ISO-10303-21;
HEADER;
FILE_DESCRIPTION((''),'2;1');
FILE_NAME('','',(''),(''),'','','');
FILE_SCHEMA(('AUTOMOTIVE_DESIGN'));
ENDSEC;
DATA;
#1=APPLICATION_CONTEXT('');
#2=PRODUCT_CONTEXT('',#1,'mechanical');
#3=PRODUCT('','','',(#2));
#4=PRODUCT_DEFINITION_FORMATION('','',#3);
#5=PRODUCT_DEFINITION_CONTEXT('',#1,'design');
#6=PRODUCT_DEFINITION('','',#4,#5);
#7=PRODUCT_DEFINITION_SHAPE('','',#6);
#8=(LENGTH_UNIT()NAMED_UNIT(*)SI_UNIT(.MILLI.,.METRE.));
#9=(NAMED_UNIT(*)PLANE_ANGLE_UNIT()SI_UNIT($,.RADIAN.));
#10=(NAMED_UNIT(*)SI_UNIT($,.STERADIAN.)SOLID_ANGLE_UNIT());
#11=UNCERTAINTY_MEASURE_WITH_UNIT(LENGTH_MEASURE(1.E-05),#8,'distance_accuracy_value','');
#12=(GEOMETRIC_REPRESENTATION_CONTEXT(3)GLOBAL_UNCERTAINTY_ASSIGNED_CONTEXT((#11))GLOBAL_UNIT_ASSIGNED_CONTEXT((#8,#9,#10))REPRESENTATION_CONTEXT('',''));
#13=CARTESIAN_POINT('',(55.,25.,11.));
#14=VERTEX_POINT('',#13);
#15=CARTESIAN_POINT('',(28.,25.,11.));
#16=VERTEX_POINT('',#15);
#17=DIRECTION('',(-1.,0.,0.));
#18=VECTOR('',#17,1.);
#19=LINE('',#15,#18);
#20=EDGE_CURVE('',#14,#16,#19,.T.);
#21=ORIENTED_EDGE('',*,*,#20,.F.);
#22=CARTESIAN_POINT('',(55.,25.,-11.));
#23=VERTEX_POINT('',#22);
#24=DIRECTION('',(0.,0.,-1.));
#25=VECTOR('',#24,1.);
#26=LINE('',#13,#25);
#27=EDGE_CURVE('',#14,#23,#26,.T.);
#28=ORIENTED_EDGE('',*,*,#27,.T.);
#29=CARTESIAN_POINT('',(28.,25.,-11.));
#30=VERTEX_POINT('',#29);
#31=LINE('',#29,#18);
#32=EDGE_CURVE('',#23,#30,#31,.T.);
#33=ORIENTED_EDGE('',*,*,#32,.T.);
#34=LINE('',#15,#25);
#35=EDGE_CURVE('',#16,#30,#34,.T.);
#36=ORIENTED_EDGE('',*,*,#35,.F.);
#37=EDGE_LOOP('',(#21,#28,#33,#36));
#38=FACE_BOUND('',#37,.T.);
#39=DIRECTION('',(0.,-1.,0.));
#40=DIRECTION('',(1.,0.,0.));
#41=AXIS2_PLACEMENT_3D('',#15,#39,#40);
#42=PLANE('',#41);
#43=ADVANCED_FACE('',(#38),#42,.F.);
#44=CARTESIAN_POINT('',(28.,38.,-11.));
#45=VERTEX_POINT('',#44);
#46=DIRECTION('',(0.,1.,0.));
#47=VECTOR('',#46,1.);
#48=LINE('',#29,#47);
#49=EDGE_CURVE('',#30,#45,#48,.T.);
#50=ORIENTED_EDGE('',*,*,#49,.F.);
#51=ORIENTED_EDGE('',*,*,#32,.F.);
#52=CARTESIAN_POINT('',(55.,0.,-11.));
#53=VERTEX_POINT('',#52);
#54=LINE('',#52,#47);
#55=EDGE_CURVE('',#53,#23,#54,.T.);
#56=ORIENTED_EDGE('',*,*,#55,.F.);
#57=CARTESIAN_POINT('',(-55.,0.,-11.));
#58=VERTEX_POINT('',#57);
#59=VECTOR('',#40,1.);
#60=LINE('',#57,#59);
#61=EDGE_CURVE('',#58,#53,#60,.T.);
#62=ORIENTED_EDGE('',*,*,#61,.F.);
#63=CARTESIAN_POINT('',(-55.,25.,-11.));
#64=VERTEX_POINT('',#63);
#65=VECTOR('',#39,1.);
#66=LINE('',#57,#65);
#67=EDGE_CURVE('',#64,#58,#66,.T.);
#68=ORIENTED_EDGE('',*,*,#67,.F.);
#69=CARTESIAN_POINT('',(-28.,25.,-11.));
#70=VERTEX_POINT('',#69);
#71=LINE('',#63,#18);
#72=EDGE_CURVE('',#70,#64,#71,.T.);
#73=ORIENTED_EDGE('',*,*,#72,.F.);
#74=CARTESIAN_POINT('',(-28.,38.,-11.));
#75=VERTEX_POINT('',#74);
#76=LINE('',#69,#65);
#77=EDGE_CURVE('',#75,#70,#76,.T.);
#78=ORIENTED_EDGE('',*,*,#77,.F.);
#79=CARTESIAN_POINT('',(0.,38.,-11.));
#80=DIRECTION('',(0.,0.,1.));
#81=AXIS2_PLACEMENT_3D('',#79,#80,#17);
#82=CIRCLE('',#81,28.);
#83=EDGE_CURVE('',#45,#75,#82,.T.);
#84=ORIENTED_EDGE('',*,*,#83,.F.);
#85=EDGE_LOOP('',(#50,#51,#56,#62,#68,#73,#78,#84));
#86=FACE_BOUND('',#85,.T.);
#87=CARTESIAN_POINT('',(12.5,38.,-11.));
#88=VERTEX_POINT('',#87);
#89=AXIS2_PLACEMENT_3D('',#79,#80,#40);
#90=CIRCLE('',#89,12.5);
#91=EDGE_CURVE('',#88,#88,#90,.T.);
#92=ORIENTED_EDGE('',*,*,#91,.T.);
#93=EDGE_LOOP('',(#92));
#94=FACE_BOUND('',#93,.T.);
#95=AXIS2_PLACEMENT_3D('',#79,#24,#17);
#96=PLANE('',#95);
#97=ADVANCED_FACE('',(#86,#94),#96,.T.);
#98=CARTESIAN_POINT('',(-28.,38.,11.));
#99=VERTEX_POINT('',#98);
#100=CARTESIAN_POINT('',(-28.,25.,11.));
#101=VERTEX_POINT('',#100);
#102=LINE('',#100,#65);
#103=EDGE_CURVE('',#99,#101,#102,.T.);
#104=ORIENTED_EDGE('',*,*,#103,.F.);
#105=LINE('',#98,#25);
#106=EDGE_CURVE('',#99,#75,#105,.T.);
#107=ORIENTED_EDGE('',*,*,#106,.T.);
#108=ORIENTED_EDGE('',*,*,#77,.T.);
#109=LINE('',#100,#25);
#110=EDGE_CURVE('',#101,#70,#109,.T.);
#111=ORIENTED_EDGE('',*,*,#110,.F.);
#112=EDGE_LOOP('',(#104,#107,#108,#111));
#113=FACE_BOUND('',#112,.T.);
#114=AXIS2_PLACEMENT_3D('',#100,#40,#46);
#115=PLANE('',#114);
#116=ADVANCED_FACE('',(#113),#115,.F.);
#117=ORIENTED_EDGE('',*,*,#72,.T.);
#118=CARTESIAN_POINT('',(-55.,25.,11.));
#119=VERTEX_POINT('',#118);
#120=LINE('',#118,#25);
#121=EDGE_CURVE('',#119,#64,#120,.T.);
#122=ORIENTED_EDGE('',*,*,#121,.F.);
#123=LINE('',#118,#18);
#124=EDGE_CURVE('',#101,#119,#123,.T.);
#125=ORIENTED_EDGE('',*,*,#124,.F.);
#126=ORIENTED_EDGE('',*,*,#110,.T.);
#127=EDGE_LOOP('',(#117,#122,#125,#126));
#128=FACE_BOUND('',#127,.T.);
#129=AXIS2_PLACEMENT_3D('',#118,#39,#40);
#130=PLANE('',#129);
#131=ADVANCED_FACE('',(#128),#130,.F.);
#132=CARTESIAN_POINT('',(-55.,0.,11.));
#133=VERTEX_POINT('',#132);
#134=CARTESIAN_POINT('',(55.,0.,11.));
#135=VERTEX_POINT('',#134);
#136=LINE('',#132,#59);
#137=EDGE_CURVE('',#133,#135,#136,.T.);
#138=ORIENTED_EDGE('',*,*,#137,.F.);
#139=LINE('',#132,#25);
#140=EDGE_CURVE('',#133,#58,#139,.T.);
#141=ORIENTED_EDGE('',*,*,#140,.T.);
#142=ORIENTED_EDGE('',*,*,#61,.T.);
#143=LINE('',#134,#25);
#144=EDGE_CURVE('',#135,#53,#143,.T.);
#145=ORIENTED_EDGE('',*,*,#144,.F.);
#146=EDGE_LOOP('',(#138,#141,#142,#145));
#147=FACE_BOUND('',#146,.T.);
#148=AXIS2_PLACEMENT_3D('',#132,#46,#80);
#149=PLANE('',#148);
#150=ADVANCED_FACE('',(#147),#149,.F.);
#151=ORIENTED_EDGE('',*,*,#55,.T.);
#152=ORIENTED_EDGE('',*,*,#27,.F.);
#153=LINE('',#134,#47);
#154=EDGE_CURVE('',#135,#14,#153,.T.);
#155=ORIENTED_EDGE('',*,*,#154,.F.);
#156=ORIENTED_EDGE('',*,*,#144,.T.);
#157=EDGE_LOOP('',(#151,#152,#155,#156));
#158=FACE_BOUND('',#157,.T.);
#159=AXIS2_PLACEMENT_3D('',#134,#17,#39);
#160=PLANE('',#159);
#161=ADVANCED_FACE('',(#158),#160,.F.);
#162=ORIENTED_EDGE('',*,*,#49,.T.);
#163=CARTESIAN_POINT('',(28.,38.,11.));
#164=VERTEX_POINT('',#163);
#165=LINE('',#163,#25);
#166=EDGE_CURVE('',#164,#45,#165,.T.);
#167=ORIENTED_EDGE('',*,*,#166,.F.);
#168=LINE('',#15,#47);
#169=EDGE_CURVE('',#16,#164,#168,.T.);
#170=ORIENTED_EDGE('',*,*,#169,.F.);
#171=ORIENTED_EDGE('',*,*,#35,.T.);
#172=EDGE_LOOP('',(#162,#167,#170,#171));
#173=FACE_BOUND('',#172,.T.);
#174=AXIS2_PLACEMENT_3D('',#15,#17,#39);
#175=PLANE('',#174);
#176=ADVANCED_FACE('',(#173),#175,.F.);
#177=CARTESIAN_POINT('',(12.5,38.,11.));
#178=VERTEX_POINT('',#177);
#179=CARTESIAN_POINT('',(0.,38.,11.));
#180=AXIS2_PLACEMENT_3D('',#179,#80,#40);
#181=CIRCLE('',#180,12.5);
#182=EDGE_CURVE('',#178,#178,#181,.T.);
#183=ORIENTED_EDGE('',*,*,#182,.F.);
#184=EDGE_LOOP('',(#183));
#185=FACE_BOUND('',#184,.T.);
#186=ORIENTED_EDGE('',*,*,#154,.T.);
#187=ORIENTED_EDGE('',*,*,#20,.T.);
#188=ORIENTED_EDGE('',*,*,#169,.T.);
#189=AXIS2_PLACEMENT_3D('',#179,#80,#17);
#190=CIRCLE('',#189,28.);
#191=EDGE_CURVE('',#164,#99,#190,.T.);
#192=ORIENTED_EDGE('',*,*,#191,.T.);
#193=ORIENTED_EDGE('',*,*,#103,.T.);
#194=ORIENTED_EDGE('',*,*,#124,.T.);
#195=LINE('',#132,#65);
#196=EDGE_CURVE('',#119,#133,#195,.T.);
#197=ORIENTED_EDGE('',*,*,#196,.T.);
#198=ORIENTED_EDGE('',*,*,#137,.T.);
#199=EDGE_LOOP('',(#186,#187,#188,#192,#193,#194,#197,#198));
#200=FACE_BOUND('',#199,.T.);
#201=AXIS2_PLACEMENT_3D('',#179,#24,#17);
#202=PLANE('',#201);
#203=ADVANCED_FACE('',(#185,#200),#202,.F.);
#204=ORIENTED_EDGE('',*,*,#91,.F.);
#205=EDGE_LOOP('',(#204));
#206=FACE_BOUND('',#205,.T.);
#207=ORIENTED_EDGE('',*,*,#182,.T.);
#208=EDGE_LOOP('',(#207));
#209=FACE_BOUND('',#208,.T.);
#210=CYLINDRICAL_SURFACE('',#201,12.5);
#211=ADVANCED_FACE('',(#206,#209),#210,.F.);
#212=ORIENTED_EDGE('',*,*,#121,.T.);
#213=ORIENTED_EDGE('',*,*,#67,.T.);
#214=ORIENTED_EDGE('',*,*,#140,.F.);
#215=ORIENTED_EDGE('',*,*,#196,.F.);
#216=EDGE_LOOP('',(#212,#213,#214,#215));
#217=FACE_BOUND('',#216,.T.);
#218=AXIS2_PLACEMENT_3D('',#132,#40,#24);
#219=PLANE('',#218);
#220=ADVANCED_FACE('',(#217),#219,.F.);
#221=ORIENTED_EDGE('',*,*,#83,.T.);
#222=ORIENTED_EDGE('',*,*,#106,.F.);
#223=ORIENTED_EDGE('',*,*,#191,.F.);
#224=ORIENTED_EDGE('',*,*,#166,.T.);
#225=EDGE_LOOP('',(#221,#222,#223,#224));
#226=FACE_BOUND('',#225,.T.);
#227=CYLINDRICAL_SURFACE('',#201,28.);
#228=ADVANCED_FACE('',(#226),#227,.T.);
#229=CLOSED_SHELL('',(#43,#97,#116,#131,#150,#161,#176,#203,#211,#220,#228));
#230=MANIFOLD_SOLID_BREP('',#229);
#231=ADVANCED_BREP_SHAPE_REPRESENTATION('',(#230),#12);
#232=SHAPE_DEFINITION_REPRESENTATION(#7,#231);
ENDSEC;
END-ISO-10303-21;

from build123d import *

# Parameters (mm, degrees)
SKETCH1_R           = 12.5
BOSS_EXTRUDE1_DEPTH = 11


with BuildPart() as part:
    # Sketch1 → Boss-Extrude1 (new body, symmetric)
    with BuildSketch(Plane.XY):
        with BuildLine():
            Line((-55, 0), (55, 0))
            Line((55, 0), (55, 25))
            Line((55, 25), (28, 25))
            Line((28, 25), (28, 38))
            ThreePointArc((28, 38), (0, 66), (-28, 38))
            Line((-28, 38), (-28, 25))
            Line((-28, 25), (-55, 25))
            Line((-55, 25), (-55, 0))
        make_face()
        with Locations((0, 38)):
            Circle(SKETCH1_R, mode=Mode.SUBTRACT)
    extrude(amount=BOSS_EXTRUDE1_DEPTH, both=True)


solid = part.part
